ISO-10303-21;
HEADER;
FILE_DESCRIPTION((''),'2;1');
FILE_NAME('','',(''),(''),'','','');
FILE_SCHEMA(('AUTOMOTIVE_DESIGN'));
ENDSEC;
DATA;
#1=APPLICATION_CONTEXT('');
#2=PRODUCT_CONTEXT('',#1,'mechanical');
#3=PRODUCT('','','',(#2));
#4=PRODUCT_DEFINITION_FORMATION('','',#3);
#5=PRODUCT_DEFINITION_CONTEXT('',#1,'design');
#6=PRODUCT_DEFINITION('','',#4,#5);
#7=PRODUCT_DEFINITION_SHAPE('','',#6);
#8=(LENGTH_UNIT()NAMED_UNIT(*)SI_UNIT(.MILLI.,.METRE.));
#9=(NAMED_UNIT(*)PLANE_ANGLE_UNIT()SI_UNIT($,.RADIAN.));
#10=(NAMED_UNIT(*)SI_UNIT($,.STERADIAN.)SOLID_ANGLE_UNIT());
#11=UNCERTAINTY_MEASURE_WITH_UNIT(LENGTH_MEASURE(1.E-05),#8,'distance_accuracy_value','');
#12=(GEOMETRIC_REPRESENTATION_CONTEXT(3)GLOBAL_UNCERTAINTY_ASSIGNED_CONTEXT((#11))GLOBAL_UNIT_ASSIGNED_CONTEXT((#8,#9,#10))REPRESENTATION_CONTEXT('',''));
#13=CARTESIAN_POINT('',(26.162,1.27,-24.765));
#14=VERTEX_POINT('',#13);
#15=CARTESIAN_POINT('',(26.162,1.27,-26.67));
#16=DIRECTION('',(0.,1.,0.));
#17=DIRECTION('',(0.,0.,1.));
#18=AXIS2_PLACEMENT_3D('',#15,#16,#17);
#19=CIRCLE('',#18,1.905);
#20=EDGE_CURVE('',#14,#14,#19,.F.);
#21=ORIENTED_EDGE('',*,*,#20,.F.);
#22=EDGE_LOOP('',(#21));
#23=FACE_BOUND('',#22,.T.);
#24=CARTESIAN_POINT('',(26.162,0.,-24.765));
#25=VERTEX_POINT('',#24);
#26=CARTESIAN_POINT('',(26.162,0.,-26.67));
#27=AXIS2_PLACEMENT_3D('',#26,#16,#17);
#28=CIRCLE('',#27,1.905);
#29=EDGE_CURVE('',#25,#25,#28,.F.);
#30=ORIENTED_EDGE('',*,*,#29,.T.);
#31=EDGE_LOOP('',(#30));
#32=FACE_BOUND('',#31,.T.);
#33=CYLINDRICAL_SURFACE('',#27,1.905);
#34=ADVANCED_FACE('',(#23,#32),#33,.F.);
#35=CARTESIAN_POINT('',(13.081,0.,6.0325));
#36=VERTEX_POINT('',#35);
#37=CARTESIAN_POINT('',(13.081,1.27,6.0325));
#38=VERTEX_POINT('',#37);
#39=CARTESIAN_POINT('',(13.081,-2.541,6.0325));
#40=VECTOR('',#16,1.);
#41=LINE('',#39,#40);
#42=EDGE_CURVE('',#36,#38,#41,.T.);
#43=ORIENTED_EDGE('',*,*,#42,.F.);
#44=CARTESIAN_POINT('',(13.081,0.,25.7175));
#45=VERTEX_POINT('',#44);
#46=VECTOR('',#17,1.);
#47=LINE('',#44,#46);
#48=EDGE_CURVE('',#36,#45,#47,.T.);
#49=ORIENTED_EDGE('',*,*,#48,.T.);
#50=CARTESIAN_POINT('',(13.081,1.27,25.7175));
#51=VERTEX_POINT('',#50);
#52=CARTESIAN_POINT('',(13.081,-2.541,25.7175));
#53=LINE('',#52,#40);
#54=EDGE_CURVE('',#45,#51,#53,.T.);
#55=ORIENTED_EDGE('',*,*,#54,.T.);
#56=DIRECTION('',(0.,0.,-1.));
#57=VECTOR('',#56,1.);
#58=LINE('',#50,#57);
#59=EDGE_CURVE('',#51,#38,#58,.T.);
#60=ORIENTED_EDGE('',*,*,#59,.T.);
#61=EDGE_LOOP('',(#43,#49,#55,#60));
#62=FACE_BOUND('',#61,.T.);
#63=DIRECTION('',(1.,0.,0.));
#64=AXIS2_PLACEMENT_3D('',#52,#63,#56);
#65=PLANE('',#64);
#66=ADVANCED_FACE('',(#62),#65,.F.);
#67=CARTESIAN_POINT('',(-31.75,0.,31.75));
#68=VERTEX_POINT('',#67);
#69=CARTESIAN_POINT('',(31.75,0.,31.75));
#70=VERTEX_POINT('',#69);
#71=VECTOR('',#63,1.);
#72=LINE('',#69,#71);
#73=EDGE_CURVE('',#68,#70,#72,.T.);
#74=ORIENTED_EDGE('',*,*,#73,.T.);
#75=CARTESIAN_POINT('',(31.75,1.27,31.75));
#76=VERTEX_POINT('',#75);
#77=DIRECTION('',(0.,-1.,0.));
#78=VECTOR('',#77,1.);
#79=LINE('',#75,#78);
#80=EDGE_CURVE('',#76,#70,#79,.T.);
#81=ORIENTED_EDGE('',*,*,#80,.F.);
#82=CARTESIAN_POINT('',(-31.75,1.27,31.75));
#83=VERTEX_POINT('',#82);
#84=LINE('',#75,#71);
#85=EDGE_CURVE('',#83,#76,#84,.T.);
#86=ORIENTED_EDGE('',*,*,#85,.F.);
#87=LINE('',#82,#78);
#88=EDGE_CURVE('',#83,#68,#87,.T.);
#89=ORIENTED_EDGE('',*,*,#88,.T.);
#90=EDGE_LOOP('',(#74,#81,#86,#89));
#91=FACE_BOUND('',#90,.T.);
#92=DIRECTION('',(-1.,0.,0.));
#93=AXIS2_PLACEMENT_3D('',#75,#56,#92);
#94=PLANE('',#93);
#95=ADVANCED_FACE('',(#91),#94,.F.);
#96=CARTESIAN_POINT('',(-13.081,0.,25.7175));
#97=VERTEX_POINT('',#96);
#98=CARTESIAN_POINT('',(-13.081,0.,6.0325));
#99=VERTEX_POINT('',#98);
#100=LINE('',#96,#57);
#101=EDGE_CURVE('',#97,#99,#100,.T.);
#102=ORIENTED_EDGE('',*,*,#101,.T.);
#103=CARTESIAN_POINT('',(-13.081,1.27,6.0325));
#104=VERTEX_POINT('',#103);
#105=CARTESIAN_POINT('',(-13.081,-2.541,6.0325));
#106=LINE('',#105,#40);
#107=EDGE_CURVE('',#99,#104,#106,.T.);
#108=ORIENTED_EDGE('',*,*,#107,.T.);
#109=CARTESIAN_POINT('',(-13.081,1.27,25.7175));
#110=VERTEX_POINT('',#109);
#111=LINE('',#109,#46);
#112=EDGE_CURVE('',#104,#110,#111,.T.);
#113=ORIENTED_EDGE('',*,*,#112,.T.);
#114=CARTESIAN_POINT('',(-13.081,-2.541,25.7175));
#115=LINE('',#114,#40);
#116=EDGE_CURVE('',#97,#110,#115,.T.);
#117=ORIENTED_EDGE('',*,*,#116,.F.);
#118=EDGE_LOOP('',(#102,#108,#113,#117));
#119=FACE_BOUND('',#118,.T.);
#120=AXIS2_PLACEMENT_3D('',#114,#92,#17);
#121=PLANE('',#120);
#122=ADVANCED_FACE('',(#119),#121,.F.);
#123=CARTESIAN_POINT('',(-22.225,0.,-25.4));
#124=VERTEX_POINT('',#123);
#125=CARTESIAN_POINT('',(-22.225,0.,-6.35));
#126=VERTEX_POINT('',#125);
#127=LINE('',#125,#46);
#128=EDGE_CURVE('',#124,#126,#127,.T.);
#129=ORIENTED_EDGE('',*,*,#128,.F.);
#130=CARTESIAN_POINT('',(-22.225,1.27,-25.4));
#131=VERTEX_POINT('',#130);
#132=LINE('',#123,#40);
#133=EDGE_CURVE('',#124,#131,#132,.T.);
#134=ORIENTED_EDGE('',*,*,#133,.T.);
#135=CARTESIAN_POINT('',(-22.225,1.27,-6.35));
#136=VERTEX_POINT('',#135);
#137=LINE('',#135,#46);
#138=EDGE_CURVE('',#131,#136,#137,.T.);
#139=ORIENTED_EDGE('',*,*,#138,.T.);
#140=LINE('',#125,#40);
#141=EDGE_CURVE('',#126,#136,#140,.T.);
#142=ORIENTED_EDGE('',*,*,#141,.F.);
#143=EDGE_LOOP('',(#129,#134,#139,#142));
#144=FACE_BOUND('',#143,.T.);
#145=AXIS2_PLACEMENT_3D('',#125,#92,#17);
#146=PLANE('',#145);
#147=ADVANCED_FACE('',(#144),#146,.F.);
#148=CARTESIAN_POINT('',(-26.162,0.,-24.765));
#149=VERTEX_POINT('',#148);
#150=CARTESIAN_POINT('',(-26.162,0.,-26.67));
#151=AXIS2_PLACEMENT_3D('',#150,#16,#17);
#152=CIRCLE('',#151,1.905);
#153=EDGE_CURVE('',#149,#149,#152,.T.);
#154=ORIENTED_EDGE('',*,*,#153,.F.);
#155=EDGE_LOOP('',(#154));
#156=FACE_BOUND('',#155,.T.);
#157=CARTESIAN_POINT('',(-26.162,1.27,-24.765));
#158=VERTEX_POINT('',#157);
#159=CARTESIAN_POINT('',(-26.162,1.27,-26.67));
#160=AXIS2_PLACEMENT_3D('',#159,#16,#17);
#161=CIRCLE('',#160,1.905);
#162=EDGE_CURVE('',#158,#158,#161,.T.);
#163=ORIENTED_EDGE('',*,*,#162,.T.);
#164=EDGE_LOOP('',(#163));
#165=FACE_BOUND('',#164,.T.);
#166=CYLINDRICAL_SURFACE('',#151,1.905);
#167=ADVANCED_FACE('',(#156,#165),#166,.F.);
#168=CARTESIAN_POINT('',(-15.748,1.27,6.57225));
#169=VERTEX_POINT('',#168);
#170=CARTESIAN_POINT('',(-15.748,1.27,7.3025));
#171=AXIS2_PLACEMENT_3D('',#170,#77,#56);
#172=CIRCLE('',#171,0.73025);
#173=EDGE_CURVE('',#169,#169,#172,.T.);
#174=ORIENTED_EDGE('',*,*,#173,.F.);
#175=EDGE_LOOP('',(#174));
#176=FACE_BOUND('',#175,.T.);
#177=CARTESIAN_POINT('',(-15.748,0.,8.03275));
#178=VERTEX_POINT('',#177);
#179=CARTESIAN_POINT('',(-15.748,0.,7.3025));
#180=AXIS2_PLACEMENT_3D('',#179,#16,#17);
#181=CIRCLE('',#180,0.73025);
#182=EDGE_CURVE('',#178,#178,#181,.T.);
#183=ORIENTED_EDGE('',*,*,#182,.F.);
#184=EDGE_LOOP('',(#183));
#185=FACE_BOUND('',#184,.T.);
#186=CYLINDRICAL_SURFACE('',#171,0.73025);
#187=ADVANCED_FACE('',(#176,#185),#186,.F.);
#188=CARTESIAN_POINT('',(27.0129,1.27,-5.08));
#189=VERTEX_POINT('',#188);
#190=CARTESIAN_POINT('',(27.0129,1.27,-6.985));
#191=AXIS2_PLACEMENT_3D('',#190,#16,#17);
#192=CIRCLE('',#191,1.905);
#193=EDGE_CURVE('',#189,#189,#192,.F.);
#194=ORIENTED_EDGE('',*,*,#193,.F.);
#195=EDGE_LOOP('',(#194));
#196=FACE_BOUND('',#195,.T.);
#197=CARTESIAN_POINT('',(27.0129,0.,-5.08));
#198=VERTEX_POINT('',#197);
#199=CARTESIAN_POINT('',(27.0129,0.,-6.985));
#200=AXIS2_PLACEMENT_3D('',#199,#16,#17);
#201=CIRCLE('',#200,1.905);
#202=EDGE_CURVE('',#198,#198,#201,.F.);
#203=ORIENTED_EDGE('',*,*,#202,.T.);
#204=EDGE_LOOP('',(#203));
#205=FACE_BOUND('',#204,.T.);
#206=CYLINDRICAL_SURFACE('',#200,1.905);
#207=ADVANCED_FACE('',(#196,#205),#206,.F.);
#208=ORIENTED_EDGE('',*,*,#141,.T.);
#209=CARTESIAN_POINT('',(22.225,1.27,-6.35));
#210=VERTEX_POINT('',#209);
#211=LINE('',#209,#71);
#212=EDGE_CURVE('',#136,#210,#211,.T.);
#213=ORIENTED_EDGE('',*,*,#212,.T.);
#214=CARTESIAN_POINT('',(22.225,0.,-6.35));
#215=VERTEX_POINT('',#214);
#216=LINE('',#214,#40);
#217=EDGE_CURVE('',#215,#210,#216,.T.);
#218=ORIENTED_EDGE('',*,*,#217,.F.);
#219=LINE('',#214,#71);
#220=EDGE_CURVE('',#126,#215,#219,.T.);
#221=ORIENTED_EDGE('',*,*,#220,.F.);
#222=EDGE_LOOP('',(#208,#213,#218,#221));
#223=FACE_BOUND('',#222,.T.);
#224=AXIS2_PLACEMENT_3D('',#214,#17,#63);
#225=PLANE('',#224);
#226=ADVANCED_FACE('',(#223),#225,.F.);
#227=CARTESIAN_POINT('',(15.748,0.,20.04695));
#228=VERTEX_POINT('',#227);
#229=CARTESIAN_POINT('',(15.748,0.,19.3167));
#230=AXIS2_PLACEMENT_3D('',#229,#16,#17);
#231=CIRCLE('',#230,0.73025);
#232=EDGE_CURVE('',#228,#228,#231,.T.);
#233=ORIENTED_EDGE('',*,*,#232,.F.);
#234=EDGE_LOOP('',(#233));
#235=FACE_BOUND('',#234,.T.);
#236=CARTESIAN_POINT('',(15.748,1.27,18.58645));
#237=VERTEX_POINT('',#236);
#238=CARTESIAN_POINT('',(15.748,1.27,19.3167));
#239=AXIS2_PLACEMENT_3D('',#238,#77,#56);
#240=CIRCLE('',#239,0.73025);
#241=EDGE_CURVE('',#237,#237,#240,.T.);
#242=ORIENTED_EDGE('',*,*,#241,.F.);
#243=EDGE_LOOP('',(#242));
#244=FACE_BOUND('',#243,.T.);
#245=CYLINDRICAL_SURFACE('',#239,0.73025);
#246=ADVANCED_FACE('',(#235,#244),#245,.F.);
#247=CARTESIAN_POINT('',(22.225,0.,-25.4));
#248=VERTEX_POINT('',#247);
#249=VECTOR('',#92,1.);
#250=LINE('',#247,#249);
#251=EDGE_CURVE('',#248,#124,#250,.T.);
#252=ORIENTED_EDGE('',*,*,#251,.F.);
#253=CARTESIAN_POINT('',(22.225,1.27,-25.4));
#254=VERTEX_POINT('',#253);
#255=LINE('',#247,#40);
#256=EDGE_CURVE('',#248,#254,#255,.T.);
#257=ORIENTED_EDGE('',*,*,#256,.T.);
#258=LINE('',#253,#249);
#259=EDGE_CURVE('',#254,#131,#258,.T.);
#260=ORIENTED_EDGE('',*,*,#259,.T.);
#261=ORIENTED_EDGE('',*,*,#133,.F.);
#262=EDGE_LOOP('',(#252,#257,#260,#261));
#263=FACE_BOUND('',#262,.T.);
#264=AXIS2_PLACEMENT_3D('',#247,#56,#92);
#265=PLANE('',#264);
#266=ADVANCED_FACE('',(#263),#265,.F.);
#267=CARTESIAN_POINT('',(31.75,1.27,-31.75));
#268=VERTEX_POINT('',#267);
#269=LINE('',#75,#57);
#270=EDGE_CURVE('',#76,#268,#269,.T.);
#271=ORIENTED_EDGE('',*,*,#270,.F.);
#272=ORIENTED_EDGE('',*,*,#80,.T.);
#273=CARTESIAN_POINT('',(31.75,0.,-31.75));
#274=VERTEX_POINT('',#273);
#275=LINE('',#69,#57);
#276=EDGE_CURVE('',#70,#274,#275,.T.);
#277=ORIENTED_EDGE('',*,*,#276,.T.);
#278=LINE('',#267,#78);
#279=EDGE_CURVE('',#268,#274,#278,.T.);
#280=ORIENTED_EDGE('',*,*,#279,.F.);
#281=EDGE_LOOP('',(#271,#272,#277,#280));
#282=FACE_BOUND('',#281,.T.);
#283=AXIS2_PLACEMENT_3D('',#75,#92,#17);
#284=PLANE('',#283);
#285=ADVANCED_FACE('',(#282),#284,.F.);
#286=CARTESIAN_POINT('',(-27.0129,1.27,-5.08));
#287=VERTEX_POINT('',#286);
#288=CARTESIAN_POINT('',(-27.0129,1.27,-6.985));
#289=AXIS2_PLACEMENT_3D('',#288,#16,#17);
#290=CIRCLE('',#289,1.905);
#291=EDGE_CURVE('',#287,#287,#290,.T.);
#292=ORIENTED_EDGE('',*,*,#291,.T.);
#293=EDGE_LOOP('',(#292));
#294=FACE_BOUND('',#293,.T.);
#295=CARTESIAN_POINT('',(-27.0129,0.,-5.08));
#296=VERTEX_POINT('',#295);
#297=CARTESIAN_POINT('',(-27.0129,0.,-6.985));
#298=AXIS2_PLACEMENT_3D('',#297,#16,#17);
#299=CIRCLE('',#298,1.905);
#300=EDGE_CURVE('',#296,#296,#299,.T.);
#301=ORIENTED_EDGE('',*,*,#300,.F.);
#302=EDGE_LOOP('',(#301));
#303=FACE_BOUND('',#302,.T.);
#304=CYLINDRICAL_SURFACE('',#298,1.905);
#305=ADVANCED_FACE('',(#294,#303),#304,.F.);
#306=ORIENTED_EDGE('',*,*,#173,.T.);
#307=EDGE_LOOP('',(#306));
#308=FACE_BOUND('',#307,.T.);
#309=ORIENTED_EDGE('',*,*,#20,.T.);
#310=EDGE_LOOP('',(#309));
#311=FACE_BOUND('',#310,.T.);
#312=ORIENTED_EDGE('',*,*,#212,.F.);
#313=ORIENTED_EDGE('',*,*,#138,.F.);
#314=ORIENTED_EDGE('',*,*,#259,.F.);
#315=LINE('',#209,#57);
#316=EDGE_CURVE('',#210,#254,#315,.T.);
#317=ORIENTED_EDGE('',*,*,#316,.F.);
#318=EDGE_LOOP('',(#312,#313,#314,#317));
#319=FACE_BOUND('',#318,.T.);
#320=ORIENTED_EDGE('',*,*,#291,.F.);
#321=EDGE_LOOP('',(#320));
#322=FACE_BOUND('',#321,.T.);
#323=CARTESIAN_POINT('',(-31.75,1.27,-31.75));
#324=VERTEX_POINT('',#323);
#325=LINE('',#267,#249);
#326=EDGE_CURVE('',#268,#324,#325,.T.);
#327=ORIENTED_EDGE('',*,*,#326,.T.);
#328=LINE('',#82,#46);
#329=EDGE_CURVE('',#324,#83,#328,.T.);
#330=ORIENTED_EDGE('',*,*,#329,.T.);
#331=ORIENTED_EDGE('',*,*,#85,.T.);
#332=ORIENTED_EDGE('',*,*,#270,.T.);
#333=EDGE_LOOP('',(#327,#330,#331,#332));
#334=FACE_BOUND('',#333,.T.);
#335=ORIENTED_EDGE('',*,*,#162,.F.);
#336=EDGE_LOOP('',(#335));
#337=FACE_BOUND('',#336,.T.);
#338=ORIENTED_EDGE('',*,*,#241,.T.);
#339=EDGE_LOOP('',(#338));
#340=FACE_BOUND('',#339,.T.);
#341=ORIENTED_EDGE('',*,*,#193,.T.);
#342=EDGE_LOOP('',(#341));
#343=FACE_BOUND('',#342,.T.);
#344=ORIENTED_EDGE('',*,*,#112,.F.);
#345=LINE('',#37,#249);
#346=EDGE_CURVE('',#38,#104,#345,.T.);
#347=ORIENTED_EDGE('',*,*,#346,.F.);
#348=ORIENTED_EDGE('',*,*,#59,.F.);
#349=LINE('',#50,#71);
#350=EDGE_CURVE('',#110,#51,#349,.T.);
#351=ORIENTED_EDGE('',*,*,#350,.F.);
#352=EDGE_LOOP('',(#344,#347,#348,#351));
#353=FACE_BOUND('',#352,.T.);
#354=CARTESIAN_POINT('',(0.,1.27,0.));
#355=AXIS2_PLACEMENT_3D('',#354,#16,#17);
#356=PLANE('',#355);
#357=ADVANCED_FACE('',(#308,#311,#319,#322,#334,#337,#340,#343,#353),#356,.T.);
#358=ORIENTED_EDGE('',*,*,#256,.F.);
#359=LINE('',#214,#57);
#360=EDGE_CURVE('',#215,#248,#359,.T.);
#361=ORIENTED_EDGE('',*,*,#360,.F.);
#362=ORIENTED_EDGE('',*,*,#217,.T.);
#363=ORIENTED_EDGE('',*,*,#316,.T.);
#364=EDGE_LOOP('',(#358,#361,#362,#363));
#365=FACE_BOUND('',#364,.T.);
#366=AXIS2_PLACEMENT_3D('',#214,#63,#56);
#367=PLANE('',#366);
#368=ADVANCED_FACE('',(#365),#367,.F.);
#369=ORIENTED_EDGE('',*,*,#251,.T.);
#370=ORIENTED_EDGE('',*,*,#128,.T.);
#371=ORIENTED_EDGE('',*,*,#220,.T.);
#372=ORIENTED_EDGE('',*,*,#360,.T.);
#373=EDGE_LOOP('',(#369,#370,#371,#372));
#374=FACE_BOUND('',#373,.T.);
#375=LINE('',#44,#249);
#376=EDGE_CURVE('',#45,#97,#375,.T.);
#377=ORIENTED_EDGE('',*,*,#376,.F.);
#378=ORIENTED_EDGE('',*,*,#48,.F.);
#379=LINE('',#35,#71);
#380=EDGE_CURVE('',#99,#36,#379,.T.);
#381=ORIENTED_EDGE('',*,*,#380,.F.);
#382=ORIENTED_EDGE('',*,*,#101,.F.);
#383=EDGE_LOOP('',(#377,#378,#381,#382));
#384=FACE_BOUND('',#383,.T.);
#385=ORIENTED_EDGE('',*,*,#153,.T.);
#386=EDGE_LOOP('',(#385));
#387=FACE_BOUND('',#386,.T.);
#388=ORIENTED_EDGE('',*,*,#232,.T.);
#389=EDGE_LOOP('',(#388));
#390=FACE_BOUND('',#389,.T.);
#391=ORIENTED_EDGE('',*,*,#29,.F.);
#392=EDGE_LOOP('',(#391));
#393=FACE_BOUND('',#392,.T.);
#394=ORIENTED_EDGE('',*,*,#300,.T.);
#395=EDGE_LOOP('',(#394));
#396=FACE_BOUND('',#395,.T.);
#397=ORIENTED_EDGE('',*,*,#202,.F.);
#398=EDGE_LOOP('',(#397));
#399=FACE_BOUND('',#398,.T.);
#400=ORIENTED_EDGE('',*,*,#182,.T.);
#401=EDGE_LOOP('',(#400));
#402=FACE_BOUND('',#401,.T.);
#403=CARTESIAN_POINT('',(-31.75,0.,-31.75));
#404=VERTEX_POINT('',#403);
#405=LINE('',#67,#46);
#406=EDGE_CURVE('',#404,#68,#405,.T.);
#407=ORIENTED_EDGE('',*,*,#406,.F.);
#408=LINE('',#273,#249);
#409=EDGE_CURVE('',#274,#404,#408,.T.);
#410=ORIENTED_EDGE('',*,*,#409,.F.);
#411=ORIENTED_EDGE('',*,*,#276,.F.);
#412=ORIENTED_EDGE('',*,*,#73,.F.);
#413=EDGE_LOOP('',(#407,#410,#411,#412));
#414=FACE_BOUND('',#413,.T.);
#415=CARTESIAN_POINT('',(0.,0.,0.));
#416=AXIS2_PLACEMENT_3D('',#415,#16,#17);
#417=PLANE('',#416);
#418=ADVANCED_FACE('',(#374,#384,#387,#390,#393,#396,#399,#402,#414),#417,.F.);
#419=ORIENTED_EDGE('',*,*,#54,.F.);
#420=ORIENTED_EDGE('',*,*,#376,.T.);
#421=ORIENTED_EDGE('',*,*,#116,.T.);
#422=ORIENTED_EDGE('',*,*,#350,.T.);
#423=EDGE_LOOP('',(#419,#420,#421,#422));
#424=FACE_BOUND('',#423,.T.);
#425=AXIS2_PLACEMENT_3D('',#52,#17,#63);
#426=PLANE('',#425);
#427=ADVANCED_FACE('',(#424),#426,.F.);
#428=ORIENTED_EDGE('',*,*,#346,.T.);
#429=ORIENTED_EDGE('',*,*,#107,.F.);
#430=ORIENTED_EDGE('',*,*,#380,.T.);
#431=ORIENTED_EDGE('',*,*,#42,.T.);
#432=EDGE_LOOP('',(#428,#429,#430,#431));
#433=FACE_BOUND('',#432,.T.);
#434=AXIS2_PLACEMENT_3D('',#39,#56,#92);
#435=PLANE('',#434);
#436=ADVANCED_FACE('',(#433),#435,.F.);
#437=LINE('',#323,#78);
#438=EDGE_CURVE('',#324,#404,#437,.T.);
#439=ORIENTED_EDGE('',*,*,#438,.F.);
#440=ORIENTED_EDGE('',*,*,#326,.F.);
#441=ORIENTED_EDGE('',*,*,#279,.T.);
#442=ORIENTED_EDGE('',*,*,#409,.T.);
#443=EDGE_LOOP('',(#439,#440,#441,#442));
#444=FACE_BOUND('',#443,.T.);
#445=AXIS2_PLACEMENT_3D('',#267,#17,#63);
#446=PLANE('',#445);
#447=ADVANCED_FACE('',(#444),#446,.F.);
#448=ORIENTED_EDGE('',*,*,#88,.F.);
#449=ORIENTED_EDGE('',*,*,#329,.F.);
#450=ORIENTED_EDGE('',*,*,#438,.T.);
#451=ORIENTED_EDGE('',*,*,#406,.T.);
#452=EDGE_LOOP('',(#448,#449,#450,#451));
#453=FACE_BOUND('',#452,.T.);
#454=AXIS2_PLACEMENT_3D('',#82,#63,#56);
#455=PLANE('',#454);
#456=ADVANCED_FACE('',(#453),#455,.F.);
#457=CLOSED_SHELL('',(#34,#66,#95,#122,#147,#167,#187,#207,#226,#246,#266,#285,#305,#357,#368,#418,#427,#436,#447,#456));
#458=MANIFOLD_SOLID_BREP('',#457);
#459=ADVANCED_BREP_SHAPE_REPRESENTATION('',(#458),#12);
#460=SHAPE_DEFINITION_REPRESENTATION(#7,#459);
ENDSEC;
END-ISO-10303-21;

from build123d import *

# Parameters (mm, degrees)
SKETCH1_W           = 63.5
SKETCH1_H           = 63.5
BOSS_EXTRUDE1_DEPTH = 1.27
SKETCH2_R           = 1.905
CUT_EXTRUDE1_DEPTH  = 1.27
SKETCH3_W           = 44.45
SKETCH3_H           = 19.05
CUT_EXTRUDE2_DEPTH  = 1.27
SKETCH4_R           = 0.73025
BOSS_EXTRUDE2_DEPTH = 3.81
CUT_EXTRUDE3_REACH  = 5.81
SKETCH5_W           = 26.162
SKETCH5_H           = 19.685
SKETCH6_R           = 0.73025
CUT_EXTRUDE4_DEPTH  = 4.81


with BuildPart() as part:
    # Sketch1 → Boss-Extrude1 (new body)
    with BuildSketch(Plane(origin=(0, 0, 0), x_dir=(1, 0, 0), z_dir=(0, 1, 0))):
        Rectangle(SKETCH1_W, SKETCH1_H)
    extrude(amount=BOSS_EXTRUDE1_DEPTH)

    # Sketch2 → Cut-Extrude1 (cut)
    with BuildSketch(Plane(origin=(0, 1.27, 0), x_dir=(1, 0, 0), z_dir=(0, 1, 0))):
        with Locations((27.0129, 6.985)):
            Circle(SKETCH2_R)
        with Locations((26.162, 26.67)):
            Circle(SKETCH2_R)
        with Locations((-27.0129, 6.985)):
            Circle(SKETCH2_R)
        with Locations((-26.162, 26.67)):
            Circle(SKETCH2_R)
    extrude(amount=-CUT_EXTRUDE1_DEPTH, mode=Mode.SUBTRACT)

    # Sketch3 → Cut-Extrude2 (cut)
    with BuildSketch(Plane(origin=(0, 1.27, 0), x_dir=(1, 0, 0), z_dir=(0, 1, 0))):
        with Locations((0, 15.875)):
            Rectangle(SKETCH3_W, SKETCH3_H)
    extrude(amount=-CUT_EXTRUDE2_DEPTH, mode=Mode.SUBTRACT)

    # Sketch4 → Boss-Extrude2 (add)
    with BuildSketch(Plane(origin=(0, 1.27, 0), x_dir=(1, 0, 0), z_dir=(0, 1, 0))):
        with Locations((-15.748, -7.3025)):
            Circle(SKETCH4_R)
        with Locations((15.748, -19.3167)):
            Circle(SKETCH4_R)
    extrude(amount=-BOSS_EXTRUDE2_DEPTH)

    # Sketch5 → Cut-Extrude3 (cut, up to next)
    with BuildSketch(Plane(origin=(0, 1.27, 0), x_dir=(1, 0, 0), z_dir=(0, 1, 0)), mode=Mode.PRIVATE) as cut_extrude3_sk1:
        with Locations((0, -15.875)):
            Rectangle(SKETCH5_W, SKETCH5_H)
    cut_extrude3_tool1 = extrude(cut_extrude3_sk1.sketch, amount=-CUT_EXTRUDE3_REACH, mode=Mode.PRIVATE) & part.part
    add(cut_extrude3_tool1.solids().sort_by_distance((0, 1.27, 15.875))[0], mode=Mode.SUBTRACT)

    # Sketch6 → Cut-Extrude4 (cut, through all)
    with BuildSketch(Plane.XZ.offset(2.54)):
        with Locations((15.748, 19.3167)):
            Circle(SKETCH6_R)
        with Locations((-15.748, 7.3025)):
            Circle(SKETCH6_R)
    extrude(amount=-CUT_EXTRUDE4_DEPTH, mode=Mode.SUBTRACT)


solid = part.part
